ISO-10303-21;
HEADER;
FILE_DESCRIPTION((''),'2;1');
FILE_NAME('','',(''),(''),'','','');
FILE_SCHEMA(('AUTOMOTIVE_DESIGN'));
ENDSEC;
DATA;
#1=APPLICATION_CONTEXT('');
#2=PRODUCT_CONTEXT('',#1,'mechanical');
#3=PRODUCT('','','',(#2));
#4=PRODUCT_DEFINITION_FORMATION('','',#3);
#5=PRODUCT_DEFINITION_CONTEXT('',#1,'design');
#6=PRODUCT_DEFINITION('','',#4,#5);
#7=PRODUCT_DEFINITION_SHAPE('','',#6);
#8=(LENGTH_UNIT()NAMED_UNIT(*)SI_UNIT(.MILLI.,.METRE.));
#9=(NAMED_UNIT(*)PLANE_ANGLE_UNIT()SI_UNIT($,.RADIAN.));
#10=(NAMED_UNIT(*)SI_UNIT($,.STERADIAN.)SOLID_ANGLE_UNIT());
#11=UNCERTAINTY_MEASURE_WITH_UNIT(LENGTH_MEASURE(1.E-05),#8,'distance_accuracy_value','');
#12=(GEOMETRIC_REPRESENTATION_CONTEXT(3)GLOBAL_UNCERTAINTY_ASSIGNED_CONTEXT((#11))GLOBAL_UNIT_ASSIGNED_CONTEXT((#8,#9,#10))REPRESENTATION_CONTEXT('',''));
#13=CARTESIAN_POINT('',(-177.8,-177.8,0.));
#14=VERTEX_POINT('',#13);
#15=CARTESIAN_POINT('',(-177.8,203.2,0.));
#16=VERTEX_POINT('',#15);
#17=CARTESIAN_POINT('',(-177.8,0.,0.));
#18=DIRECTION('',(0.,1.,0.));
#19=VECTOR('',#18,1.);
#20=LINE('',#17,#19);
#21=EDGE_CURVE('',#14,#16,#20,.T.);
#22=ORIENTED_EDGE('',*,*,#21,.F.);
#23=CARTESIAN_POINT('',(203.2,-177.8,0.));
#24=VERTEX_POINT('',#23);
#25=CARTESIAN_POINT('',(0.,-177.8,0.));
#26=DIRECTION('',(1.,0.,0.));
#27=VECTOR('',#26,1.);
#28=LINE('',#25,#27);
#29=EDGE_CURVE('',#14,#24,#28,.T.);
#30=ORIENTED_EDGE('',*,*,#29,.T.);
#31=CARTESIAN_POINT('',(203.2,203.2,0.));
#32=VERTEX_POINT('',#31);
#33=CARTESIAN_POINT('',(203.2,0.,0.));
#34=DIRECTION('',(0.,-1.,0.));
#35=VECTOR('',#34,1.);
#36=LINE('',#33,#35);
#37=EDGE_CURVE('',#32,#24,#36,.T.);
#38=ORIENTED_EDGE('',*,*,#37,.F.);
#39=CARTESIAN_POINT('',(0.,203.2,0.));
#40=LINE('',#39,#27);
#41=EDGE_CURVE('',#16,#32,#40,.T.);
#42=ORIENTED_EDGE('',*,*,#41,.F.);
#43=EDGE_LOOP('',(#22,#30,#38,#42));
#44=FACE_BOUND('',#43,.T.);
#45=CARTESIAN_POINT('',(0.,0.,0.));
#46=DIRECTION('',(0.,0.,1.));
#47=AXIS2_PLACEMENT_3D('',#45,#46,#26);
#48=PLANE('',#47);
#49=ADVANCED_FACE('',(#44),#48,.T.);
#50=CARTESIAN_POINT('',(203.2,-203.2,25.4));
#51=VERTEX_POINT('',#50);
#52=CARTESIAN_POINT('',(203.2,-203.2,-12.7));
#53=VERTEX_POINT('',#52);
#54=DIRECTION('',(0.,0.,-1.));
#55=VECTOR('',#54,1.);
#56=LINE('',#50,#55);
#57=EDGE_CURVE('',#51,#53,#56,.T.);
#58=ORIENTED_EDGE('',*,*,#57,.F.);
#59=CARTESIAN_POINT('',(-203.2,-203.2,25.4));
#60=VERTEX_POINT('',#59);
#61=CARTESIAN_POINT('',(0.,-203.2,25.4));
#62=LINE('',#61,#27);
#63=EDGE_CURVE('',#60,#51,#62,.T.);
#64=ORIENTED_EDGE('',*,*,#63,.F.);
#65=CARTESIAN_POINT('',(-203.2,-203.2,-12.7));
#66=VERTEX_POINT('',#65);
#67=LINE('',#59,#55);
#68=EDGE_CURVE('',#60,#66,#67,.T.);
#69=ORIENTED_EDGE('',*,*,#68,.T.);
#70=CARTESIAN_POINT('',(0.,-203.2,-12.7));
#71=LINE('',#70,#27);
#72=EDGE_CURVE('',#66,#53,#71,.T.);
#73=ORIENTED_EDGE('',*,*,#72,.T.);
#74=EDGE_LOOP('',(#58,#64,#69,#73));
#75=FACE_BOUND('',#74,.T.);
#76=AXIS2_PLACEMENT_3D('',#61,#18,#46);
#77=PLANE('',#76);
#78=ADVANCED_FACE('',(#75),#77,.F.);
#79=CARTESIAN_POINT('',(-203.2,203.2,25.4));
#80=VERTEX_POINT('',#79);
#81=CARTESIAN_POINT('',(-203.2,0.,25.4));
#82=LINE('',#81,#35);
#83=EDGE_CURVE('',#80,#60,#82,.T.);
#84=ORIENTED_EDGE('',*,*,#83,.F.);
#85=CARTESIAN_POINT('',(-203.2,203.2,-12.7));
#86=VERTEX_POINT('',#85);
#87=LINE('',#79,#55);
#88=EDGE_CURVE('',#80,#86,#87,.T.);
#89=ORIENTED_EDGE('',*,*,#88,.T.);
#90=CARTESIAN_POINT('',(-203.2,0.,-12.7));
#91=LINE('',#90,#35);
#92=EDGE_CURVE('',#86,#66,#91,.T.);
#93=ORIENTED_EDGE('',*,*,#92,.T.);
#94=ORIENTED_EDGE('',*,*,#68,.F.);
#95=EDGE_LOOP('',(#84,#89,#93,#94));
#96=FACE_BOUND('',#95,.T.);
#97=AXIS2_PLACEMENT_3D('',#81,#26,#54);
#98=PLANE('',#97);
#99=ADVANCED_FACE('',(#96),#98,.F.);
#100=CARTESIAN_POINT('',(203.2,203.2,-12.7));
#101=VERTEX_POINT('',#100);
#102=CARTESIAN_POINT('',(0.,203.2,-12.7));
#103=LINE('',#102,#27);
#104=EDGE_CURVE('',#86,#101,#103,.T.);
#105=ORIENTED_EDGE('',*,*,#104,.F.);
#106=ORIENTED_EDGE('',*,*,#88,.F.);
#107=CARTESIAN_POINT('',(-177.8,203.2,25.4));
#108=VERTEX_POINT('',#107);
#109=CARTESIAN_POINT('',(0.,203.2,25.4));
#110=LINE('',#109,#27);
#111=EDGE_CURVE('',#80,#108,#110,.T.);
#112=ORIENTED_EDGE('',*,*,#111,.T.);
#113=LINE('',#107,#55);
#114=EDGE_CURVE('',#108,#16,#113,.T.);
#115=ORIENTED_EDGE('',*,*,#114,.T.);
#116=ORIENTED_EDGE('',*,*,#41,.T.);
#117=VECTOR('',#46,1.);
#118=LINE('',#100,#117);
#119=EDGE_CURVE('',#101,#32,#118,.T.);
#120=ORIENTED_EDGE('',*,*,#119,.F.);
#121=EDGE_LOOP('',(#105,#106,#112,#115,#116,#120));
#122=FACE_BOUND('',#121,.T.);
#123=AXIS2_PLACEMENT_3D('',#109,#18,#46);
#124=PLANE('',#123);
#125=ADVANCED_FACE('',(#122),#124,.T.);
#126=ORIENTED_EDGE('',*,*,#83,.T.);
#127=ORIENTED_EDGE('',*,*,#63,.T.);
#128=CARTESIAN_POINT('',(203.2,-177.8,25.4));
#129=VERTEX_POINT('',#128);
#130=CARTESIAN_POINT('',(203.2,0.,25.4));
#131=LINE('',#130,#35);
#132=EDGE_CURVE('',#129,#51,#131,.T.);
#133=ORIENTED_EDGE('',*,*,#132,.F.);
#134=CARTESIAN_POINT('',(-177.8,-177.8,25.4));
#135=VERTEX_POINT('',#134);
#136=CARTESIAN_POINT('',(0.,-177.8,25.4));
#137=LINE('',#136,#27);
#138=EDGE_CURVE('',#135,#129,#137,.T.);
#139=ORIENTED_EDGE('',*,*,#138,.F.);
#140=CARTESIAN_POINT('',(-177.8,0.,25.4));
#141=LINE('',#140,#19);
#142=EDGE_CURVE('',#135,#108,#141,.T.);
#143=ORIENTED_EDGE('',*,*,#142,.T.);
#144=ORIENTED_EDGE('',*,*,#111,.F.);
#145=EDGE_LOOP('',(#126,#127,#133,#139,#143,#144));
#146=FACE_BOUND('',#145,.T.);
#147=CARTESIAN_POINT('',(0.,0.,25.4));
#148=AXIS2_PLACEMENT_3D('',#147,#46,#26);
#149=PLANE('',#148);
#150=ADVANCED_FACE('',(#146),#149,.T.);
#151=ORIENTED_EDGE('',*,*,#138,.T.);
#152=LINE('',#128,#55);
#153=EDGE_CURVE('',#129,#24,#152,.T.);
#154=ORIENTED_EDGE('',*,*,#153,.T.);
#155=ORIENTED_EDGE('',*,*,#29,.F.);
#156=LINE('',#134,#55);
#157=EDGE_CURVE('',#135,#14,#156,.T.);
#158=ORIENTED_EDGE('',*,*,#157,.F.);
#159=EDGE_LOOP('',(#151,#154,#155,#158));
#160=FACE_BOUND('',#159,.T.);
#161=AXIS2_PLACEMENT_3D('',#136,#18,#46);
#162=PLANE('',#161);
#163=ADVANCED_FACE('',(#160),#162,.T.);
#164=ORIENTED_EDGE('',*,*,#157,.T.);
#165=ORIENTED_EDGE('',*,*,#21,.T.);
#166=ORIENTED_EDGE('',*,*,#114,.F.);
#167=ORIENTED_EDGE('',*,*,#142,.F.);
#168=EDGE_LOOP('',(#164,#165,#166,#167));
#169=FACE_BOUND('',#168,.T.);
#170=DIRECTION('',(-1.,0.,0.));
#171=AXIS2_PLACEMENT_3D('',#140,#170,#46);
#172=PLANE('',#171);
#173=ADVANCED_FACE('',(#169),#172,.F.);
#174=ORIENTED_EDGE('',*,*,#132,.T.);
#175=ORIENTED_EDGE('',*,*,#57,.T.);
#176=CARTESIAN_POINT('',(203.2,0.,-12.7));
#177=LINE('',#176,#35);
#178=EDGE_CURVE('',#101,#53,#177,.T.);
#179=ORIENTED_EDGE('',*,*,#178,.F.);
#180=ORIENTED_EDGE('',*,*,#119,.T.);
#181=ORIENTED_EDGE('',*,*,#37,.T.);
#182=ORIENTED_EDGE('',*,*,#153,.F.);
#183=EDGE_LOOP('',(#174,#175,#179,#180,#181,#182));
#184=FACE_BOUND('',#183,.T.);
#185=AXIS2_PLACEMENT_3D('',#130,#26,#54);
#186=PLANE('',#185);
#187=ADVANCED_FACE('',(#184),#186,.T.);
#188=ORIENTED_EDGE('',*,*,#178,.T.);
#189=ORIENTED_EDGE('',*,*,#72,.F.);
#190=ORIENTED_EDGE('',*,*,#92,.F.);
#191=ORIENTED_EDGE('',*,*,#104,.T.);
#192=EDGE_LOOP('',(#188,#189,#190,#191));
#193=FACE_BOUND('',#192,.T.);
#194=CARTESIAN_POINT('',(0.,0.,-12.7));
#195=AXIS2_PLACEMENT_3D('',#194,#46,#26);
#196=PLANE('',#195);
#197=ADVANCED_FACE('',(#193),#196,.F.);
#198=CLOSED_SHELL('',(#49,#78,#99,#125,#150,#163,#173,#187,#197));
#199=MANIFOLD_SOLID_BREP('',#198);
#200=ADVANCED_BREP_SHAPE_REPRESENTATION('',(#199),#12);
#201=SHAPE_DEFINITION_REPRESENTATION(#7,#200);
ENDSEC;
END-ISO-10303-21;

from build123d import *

# Parameters (mm, degrees)
BOSS_EXTRUDE1_DEPTH = 25.4
SKETCH1_3_W         = 406.4
SKETCH1_3_H         = 406.4
BOSS_EXTRUDE2_DEPTH = 12.7


with BuildPart() as part:
    # Sketch1 → Boss-Extrude1 (new body)
    with BuildSketch(Plane.XY):
        Polygon((-177.8, -177.8), (-177.8, 177.8), (-177.8, 203.2), (-203.2, 203.2), (-203.2, -203.2), (203.2, -203.2), (203.2, -177.8), (177.8, -177.8), align=None)
    extrude(amount=BOSS_EXTRUDE1_DEPTH)

    # Sketch1<3> → Boss-Extrude2 (add)
    with BuildSketch(Plane.XY):
        Rectangle(SKETCH1_3_W, SKETCH1_3_H)
    extrude(amount=-BOSS_EXTRUDE2_DEPTH)


solid = part.part
